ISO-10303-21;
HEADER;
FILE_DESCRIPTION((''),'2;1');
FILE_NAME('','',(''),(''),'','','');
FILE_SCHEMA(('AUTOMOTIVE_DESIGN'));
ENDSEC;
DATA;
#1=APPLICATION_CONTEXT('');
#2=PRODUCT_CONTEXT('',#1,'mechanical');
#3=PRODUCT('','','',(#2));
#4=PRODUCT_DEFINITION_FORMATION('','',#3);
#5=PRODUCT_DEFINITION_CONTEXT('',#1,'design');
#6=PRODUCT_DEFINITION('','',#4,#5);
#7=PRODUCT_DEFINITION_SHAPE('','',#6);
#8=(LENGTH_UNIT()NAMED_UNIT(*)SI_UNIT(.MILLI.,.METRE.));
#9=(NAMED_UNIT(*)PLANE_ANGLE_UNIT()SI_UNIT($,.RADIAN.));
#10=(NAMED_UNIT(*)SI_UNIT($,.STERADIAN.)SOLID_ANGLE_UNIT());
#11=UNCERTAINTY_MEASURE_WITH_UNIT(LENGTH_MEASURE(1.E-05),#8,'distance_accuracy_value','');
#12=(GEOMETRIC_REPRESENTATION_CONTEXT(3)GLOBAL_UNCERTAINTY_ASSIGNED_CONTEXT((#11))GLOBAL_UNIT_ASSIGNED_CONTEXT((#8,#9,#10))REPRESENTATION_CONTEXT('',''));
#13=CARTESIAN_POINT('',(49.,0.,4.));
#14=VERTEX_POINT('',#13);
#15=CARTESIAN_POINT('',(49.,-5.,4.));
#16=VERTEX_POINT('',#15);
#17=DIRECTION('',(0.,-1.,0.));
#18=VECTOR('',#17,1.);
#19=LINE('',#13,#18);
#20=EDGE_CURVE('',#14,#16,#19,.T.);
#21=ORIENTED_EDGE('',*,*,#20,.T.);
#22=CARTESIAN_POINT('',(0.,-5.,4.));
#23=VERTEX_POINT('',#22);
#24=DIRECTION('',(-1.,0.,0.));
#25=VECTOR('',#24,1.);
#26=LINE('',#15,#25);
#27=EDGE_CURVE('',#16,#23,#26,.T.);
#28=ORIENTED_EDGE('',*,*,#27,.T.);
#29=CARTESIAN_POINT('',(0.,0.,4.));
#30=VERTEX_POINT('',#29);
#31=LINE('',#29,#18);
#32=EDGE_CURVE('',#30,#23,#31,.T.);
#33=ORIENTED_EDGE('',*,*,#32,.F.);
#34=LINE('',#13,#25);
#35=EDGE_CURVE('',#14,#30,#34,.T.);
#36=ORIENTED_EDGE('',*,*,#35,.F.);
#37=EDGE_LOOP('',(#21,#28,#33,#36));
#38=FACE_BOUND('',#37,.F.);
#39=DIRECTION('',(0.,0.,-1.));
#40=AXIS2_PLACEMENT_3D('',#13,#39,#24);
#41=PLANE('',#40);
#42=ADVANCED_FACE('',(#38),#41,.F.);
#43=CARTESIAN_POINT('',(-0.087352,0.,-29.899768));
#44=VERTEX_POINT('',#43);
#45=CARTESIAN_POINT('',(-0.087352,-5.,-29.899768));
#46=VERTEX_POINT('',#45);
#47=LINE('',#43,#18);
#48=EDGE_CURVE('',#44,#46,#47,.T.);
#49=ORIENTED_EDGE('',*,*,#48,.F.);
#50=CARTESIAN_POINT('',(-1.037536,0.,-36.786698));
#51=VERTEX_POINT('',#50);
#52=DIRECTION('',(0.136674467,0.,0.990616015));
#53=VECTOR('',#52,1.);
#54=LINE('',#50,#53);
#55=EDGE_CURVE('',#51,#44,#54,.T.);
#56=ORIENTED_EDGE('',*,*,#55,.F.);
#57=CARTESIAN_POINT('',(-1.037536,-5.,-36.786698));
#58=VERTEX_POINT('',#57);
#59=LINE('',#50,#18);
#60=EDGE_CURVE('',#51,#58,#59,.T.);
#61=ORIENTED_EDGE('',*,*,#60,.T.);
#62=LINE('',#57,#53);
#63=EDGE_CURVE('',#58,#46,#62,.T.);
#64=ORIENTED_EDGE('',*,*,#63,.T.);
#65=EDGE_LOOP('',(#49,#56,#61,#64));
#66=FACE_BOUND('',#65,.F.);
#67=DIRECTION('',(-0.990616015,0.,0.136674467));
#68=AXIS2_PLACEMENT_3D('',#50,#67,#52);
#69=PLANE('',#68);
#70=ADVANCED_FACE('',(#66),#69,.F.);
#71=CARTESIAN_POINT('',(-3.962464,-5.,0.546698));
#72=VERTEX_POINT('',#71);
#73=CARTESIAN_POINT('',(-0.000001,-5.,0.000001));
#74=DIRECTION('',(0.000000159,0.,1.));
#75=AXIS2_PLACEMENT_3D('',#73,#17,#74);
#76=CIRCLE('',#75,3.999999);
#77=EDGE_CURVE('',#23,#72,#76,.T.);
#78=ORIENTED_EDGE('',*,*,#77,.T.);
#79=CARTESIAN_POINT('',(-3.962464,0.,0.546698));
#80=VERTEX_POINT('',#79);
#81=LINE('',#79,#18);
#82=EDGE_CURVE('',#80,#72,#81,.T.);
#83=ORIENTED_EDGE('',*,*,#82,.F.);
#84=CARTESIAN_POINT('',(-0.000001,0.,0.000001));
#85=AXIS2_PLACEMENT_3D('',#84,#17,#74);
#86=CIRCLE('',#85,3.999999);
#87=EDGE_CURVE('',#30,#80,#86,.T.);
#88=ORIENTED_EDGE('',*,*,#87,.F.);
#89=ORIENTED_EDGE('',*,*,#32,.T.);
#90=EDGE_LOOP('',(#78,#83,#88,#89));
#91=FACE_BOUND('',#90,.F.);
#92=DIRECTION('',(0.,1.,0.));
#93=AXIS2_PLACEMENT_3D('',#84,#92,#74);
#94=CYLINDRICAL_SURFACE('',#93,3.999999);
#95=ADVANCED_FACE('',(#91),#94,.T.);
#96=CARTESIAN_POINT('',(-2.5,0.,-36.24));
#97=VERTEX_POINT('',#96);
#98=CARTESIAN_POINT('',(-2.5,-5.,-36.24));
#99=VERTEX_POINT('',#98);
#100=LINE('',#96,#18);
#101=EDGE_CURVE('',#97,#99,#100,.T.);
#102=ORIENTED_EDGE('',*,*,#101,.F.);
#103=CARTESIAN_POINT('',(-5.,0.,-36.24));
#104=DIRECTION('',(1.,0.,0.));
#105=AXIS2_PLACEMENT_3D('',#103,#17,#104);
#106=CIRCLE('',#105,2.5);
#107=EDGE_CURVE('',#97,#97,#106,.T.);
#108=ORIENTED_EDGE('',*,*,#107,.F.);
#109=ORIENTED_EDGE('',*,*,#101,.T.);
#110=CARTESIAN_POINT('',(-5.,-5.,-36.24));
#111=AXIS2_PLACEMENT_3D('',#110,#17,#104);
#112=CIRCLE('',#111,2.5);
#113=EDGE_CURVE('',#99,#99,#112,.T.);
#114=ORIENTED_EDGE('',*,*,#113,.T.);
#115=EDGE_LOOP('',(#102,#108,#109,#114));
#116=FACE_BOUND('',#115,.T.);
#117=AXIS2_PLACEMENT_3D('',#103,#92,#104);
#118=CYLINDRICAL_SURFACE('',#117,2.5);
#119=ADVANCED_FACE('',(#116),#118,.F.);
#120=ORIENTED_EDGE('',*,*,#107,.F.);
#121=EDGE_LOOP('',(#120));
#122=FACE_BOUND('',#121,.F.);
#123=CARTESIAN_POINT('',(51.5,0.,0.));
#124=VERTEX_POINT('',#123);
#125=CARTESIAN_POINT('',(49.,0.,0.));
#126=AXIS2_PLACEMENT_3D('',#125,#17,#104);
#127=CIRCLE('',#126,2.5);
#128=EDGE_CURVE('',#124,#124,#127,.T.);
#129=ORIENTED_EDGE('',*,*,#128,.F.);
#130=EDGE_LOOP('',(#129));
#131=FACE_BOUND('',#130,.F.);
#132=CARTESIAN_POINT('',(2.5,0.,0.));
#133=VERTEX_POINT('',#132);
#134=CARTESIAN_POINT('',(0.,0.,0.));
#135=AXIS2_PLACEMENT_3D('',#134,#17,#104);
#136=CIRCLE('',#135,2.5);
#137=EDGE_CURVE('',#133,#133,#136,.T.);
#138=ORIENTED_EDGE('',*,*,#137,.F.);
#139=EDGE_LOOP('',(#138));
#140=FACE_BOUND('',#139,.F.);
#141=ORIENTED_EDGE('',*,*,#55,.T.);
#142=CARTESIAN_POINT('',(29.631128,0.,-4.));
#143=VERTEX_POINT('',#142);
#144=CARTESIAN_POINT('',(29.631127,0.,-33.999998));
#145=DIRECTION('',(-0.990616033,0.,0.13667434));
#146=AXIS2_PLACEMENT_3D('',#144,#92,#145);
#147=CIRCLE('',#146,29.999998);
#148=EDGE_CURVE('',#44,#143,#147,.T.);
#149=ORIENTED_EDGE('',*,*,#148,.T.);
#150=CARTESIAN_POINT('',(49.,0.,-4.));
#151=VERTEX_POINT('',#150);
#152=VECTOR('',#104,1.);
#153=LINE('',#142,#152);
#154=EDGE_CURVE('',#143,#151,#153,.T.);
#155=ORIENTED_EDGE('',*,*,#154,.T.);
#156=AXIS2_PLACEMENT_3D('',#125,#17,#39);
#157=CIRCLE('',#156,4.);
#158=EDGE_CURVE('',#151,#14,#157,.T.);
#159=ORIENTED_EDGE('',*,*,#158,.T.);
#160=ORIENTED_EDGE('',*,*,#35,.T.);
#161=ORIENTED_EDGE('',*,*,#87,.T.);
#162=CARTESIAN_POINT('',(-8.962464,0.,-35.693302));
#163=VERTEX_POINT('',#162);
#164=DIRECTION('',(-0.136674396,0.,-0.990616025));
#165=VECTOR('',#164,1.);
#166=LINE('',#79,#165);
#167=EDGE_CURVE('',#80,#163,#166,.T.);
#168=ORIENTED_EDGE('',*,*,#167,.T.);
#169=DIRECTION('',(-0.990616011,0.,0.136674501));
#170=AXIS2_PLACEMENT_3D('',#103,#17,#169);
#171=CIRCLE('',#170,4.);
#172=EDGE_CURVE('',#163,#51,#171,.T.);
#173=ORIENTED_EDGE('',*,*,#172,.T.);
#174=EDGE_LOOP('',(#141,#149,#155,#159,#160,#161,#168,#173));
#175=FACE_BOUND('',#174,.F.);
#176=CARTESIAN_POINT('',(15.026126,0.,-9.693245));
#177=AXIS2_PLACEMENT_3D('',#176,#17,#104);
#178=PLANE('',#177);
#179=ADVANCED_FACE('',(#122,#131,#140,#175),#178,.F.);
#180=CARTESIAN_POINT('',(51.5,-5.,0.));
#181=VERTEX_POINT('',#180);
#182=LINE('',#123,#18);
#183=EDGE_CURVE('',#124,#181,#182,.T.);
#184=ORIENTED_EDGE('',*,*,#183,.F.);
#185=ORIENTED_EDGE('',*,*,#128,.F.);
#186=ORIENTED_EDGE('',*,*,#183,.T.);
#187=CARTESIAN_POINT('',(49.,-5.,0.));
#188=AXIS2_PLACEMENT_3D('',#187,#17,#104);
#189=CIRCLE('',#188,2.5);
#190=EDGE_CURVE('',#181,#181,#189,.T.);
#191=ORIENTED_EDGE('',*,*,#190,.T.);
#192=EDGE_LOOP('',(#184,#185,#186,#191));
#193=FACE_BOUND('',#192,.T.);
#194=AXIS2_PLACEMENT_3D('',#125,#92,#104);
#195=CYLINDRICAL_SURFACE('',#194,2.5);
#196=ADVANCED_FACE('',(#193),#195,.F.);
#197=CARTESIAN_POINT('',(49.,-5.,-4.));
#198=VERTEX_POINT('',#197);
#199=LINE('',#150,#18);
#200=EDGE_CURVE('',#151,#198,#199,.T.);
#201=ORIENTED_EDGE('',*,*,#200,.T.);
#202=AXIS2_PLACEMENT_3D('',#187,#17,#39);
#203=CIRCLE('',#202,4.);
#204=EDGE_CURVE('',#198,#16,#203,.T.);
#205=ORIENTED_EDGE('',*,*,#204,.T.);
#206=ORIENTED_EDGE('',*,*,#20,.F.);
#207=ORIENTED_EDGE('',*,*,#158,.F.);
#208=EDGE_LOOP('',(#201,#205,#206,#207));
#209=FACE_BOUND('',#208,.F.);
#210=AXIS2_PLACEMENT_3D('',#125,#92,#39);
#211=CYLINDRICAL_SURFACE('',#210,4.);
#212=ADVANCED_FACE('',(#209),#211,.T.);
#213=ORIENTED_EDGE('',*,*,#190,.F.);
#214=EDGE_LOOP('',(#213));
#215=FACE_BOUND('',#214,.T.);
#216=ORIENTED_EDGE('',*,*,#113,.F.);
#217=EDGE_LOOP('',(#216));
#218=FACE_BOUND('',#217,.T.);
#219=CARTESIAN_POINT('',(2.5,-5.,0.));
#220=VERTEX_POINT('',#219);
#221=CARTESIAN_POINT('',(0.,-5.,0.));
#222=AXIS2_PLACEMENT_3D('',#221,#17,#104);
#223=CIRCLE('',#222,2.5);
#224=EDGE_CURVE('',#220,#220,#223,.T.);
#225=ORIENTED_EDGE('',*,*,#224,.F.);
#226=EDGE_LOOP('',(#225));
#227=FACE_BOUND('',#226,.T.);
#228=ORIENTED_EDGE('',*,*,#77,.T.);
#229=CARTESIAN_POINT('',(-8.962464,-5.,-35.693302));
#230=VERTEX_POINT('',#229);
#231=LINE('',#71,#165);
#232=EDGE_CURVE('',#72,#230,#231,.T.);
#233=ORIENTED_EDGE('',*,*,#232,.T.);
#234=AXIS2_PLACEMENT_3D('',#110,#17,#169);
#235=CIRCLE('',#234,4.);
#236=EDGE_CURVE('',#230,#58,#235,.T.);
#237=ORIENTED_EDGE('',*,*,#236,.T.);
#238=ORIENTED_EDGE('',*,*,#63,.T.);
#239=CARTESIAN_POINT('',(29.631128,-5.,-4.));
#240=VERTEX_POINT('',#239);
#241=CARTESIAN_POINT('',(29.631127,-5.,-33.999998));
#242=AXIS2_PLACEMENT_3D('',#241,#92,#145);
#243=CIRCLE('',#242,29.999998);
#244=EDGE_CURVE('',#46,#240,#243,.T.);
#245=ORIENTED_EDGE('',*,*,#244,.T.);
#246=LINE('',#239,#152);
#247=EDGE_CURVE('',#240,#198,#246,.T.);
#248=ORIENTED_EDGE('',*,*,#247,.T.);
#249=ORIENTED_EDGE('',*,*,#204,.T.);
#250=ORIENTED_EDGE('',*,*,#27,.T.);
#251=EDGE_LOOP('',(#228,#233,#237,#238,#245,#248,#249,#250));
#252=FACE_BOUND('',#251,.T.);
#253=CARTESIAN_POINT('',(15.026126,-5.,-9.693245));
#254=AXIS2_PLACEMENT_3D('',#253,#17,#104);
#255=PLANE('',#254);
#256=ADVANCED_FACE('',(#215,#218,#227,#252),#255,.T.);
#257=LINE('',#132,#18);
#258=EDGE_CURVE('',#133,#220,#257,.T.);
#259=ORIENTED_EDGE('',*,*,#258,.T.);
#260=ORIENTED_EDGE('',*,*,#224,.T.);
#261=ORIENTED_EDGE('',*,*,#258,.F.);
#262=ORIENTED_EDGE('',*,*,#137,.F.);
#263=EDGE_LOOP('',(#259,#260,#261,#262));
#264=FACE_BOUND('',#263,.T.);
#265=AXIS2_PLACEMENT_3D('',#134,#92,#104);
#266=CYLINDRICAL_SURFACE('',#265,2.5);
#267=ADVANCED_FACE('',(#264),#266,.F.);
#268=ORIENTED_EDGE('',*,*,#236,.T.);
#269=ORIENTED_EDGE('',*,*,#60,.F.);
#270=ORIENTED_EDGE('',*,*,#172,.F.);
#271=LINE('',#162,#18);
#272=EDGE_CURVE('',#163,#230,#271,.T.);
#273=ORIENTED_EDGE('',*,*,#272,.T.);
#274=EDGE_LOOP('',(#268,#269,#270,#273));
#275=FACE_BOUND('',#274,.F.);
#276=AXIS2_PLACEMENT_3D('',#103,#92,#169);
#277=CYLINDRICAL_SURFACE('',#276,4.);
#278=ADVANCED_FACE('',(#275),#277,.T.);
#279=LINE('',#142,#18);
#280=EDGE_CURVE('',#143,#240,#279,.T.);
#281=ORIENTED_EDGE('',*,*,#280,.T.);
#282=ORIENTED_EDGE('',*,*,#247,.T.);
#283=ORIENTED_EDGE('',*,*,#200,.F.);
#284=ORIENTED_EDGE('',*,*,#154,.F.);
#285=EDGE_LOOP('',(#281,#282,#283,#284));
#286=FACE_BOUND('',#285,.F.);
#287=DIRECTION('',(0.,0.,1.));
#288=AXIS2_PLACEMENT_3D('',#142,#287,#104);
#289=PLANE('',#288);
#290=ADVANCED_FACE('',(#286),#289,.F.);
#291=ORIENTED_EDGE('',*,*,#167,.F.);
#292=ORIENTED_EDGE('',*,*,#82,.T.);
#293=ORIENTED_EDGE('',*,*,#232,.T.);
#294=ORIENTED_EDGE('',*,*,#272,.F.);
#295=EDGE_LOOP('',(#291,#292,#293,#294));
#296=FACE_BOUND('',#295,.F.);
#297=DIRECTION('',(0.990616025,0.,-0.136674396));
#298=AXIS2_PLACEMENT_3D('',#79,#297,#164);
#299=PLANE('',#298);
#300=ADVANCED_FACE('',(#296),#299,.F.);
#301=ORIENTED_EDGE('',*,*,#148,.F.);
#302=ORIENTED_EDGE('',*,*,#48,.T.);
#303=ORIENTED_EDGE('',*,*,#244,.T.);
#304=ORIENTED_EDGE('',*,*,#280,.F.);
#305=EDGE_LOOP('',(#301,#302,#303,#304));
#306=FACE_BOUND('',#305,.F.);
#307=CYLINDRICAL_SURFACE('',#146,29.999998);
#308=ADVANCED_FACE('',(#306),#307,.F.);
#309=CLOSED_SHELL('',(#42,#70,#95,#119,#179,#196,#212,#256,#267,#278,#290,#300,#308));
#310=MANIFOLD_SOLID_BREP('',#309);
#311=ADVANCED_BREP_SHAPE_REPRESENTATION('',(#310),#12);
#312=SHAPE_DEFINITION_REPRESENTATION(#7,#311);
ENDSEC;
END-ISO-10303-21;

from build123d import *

# Parameters (mm, degrees)
F0_R     = 2.5
F1_DEPTH = 5


with BuildPart() as f1:
    # F0 (on Front) → F1 (new body)
    with BuildSketch(Plane.XZ):
        with BuildLine():
            Line((49, 4), (0, 4))
            ThreePointArc((0, 4), (-2.628042, 3.015526), (-3.962464, 0.546698))
            Line((-3.962464, 0.546698), (-8.962464, -35.693302))
            ThreePointArc((-8.962464, -35.693302), (-5.546698, -40.202464), (-1.037536, -36.786698))
            Line((-1.037536, -36.786698), (-0.087352, -29.899768))
            ThreePointArc((-0.087352, -29.899768), (9.920813, -11.383557), (29.631128, -4))
            Line((29.631128, -4), (49, -4))
            ThreePointArc((49, -4), (53, 0), (49, 4))
        make_face()
        with Locations((-5, -36.24)):
            Circle(F0_R, mode=Mode.SUBTRACT)
        Circle(F0_R, mode=Mode.SUBTRACT)
        with Locations((49, 0)):
            Circle(F0_R, mode=Mode.SUBTRACT)
    extrude(amount=F1_DEPTH)


solid = f1.part
